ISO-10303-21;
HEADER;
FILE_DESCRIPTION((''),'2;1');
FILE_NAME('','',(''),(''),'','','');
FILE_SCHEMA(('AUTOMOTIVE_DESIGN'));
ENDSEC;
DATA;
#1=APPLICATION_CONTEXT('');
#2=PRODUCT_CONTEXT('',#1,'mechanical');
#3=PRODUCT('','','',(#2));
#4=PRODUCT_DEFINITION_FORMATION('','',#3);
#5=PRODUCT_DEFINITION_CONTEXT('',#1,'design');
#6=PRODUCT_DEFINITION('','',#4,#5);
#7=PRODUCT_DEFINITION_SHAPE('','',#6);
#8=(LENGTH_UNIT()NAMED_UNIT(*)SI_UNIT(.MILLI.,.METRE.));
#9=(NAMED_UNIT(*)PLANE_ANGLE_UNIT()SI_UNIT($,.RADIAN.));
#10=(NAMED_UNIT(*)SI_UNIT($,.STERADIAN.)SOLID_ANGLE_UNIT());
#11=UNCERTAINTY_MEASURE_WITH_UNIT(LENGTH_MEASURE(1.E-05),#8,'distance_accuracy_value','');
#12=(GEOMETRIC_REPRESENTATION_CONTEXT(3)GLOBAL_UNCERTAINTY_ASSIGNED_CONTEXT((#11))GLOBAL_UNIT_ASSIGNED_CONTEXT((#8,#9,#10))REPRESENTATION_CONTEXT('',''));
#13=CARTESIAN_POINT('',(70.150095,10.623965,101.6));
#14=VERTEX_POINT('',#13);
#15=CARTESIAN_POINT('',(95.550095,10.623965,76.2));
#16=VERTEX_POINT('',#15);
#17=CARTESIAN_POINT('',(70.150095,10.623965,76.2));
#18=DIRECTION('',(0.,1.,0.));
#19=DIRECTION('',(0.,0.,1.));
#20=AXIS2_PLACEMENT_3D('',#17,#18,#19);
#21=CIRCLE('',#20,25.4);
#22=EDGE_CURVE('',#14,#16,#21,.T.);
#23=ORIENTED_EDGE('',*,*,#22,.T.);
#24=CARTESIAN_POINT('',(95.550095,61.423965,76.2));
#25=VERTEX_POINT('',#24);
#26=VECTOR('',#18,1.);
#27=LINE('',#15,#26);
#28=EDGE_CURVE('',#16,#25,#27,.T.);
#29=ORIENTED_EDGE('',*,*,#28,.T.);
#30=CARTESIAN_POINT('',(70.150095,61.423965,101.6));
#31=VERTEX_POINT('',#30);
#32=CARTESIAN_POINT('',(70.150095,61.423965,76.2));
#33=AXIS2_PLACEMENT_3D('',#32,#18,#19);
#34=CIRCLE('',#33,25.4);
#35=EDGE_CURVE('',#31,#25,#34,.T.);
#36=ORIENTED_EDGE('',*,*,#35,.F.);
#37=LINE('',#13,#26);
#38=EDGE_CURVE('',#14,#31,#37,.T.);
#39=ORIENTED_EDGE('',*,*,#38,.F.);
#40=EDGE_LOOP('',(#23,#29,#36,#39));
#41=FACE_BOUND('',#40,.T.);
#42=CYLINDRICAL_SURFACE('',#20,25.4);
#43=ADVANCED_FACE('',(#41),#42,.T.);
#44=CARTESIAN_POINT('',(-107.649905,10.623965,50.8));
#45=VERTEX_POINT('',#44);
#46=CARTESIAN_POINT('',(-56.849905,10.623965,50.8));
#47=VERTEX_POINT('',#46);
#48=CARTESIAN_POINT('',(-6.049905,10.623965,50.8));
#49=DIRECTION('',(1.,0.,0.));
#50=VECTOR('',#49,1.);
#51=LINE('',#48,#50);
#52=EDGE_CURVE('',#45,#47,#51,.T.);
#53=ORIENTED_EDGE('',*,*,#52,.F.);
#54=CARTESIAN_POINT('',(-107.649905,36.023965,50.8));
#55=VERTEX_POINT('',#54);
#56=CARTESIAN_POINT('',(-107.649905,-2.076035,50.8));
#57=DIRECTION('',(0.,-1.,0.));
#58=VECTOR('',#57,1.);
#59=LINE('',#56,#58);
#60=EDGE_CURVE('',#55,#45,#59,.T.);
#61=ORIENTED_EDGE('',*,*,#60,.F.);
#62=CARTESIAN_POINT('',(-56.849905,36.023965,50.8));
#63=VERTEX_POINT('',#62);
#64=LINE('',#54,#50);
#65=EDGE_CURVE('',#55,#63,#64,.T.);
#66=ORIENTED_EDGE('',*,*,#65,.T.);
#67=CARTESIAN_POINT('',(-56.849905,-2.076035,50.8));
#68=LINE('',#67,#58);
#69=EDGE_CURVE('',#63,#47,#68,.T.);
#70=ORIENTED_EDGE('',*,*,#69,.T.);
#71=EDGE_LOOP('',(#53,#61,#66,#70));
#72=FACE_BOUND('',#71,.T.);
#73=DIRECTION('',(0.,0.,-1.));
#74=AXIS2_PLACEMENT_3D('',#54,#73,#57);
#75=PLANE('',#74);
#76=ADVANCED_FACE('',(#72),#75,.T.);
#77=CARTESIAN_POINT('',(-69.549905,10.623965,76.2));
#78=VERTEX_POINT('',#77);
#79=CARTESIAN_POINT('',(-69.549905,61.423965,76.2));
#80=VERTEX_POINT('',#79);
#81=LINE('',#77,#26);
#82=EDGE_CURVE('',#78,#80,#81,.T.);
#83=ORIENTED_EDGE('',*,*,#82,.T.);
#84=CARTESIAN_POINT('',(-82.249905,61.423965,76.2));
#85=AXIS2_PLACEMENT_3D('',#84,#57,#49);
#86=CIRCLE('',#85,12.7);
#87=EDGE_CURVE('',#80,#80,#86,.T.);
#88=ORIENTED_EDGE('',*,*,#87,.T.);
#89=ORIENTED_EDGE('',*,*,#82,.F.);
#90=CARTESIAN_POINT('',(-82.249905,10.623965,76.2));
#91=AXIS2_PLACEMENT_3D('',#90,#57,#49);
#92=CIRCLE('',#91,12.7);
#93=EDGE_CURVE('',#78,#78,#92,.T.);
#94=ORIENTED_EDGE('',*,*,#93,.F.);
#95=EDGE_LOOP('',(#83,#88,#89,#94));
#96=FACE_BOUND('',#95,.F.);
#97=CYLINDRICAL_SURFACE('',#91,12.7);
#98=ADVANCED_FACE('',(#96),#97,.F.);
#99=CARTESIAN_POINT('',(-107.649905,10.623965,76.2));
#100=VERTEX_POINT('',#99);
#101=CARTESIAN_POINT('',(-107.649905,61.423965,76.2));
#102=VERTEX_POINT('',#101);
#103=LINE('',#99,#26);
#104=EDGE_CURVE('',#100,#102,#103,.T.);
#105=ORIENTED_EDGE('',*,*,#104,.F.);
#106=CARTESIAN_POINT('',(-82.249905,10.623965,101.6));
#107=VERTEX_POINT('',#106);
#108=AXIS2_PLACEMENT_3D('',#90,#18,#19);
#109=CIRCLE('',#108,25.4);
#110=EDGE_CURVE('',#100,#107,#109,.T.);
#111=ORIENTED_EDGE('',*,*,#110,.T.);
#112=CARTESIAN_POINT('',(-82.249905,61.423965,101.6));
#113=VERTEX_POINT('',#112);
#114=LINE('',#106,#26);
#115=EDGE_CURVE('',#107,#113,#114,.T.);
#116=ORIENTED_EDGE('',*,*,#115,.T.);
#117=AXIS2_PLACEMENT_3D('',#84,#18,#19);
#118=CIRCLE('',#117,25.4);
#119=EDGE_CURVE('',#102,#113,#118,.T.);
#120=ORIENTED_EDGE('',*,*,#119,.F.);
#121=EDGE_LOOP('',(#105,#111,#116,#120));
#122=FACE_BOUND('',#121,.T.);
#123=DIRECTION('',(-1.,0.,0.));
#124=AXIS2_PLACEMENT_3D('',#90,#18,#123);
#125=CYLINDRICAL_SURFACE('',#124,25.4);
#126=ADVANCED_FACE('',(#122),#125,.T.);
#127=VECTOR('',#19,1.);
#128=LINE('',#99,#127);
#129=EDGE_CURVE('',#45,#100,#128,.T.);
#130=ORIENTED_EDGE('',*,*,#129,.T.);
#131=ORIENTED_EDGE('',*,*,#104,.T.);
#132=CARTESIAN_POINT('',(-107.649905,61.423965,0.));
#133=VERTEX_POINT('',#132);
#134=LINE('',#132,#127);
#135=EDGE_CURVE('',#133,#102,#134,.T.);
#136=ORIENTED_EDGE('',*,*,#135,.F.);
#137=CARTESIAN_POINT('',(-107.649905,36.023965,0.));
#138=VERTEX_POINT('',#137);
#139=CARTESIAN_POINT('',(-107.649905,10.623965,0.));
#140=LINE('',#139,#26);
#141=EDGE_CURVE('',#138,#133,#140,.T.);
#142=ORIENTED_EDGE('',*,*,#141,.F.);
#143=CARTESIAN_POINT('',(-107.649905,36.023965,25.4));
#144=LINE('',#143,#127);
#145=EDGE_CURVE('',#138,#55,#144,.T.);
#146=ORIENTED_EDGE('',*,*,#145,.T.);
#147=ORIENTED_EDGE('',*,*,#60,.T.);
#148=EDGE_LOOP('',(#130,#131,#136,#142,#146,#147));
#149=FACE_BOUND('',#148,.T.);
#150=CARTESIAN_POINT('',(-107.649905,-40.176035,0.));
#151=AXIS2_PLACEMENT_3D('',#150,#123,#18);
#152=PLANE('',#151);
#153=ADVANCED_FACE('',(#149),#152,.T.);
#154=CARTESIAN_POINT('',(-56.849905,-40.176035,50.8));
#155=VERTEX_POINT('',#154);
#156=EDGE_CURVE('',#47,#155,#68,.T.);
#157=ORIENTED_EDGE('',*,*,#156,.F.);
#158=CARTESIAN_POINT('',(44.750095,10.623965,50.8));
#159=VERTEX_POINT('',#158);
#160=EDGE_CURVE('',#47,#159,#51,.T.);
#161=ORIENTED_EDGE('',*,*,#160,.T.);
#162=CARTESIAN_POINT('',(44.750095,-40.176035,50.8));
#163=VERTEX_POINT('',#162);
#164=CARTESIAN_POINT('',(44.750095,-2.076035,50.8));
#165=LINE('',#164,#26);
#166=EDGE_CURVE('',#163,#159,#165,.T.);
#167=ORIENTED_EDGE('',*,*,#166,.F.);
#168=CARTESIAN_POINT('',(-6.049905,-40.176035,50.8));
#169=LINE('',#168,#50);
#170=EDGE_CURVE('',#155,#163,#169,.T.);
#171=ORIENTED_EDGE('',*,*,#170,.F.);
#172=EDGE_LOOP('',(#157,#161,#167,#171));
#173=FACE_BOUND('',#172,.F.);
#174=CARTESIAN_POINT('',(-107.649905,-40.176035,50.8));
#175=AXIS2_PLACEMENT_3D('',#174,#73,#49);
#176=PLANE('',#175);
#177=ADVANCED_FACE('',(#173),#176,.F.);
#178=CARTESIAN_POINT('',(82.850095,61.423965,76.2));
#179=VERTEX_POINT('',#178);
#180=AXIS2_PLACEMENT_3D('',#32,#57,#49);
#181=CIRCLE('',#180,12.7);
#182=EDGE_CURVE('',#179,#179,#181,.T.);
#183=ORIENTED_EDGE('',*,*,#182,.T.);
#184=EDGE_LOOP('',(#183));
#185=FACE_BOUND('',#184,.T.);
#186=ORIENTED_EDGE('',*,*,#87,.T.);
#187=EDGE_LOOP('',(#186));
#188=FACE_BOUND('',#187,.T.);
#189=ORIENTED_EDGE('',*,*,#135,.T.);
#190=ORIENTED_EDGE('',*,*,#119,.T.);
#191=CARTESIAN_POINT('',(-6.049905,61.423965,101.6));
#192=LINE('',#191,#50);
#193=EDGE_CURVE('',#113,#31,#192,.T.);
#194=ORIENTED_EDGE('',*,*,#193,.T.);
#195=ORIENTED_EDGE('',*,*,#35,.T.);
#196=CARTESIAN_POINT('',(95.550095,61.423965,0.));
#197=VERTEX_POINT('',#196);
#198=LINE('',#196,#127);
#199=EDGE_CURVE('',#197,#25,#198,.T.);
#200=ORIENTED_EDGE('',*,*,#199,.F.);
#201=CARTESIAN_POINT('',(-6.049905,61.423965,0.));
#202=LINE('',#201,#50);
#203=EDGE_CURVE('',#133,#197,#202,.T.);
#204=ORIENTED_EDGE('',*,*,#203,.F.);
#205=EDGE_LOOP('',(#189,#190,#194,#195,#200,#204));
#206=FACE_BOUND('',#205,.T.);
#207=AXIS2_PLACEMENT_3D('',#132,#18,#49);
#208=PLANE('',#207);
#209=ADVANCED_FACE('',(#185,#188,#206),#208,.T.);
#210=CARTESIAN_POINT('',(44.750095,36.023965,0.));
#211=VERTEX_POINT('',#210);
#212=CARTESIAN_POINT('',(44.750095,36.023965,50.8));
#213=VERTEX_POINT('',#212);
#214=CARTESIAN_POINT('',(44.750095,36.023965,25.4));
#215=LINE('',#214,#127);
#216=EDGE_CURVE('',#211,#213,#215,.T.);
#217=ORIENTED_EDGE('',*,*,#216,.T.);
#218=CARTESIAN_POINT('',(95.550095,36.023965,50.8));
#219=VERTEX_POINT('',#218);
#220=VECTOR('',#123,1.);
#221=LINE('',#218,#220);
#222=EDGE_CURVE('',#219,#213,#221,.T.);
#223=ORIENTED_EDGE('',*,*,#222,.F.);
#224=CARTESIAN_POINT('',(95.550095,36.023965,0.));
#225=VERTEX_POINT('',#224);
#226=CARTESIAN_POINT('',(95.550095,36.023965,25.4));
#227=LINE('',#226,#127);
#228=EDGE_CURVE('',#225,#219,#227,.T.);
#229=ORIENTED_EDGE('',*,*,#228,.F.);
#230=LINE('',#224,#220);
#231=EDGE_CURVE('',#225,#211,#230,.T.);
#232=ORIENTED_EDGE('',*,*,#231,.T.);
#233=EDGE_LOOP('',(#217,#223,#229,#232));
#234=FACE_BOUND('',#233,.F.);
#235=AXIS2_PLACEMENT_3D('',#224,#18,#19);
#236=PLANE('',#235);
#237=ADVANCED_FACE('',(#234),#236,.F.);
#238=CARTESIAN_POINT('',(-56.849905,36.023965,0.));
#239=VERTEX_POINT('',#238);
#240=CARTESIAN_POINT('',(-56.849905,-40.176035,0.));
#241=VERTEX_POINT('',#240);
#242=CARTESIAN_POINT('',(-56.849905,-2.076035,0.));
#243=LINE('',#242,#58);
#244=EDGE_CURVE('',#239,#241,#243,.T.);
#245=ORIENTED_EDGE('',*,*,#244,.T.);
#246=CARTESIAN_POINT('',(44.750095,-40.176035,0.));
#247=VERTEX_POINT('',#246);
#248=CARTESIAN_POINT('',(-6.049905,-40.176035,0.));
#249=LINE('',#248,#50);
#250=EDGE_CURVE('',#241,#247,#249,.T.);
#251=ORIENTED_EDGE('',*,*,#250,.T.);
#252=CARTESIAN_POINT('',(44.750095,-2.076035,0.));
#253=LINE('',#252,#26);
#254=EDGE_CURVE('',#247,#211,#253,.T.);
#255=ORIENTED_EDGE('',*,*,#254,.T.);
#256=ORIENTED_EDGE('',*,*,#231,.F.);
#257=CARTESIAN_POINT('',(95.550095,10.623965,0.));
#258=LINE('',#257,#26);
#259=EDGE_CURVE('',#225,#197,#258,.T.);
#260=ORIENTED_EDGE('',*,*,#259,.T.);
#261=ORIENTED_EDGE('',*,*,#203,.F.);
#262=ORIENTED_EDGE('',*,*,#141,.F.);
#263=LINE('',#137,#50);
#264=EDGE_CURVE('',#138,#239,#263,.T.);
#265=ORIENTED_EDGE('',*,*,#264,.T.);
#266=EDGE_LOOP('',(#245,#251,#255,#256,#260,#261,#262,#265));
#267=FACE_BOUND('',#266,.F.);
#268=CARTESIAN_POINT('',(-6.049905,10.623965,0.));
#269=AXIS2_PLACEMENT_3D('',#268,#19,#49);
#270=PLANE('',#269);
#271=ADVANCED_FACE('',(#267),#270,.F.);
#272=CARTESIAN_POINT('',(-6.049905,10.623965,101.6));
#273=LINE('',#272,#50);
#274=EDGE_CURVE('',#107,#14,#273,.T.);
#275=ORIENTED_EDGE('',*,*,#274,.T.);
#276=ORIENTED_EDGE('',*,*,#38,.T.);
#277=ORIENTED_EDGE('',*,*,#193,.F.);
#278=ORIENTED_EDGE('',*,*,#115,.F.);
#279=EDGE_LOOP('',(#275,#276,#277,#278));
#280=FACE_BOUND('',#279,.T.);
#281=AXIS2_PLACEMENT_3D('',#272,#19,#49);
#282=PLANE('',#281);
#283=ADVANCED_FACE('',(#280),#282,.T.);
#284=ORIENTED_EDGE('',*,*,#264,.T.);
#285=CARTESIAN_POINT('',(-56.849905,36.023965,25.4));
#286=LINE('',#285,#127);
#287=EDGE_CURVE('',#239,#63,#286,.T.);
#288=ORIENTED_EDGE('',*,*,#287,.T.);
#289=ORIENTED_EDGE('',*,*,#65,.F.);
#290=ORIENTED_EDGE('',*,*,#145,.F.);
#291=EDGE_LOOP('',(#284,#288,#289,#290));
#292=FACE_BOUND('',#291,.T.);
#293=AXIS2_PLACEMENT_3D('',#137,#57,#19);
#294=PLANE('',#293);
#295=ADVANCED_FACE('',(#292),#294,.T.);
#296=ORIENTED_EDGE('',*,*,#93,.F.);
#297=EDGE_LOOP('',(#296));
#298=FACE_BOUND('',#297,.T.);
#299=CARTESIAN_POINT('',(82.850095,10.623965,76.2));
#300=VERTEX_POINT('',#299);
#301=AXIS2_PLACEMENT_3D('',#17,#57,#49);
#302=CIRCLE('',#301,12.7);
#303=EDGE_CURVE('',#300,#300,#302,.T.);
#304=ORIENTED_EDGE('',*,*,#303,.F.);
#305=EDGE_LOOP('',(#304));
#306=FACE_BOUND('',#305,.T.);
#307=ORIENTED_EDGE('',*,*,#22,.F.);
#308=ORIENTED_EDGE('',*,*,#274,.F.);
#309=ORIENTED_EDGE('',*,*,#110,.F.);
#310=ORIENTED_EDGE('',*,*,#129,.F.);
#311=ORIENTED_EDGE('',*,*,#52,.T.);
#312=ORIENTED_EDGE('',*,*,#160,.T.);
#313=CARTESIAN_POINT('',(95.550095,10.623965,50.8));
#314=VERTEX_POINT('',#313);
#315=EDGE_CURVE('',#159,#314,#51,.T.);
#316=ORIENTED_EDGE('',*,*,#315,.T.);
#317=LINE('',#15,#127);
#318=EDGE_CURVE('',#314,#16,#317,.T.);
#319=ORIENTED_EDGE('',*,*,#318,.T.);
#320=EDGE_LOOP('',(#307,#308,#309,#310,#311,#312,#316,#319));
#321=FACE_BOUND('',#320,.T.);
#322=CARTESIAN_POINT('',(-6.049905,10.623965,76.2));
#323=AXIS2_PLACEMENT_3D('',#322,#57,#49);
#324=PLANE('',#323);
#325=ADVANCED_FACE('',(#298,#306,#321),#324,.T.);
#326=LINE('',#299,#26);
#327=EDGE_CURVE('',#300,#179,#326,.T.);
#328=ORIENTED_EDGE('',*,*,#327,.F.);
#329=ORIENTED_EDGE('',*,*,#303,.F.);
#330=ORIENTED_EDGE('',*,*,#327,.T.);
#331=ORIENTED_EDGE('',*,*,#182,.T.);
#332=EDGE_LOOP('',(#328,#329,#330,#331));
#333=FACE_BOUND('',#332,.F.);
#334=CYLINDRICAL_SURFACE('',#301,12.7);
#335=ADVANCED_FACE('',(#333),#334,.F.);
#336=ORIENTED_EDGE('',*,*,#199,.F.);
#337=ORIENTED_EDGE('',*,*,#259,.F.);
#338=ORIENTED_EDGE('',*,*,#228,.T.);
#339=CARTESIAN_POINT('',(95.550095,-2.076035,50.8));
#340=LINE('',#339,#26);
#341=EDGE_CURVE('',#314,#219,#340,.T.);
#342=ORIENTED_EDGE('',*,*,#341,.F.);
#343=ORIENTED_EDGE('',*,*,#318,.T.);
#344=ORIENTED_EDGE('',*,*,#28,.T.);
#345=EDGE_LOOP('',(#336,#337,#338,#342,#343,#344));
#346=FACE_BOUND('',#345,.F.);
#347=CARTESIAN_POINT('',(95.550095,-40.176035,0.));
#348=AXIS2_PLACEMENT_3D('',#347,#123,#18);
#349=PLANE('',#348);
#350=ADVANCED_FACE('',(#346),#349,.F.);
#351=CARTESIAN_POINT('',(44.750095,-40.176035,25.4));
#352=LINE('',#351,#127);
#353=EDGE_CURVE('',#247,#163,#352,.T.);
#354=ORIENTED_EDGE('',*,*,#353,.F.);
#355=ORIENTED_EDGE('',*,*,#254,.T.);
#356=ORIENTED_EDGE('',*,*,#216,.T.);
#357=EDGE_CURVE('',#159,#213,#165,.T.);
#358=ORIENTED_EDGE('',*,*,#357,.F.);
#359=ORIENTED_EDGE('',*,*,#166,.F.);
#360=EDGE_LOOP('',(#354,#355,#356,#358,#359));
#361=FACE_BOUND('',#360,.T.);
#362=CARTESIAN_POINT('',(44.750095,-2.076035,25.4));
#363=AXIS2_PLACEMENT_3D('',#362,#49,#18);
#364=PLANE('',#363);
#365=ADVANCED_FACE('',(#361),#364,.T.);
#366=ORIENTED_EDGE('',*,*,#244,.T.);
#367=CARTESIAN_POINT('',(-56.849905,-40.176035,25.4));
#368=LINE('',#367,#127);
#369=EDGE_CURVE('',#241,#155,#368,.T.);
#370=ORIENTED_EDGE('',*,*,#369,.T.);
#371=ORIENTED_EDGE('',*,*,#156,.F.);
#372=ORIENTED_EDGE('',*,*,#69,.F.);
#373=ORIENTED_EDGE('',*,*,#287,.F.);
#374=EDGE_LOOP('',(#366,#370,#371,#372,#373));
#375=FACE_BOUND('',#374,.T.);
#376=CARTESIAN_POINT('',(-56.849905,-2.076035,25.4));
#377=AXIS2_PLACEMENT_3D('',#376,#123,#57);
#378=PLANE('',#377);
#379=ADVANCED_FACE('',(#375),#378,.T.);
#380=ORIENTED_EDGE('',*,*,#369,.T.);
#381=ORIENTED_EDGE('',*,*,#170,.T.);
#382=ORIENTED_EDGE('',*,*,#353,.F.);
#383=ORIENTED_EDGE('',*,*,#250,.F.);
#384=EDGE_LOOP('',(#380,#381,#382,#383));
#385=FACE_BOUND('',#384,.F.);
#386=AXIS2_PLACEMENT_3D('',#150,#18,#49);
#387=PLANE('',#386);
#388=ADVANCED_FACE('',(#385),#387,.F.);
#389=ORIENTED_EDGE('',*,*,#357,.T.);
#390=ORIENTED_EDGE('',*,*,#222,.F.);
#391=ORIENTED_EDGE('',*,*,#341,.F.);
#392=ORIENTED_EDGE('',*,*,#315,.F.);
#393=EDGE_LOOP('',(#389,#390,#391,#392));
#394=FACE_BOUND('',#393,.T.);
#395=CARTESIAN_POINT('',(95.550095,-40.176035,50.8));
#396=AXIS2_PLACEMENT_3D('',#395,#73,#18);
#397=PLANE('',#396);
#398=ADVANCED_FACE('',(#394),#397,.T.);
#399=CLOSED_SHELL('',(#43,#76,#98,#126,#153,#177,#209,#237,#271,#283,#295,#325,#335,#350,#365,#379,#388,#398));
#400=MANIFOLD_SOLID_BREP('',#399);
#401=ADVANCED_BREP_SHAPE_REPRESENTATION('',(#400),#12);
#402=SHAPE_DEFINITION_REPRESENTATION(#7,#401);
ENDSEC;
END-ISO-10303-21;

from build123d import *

# Parameters (mm, degrees)
F0_W      = 203.2
F0_H      = 101.6
F1_DEPTH  = 101.6
F3_W      = 76.2
F3_H      = 50.8
F4_DEPTH  = 50.8
F5_W      = 76.2
F5_H      = 50.8
F6_DEPTH  = 50.8
F2_W      = 203.2
F2_H      = 50.8
F7_DEPTH  = 50.8
F8_R      = 25.4
F9_R      = 12.7
F10_DEPTH = 50.801


with BuildPart() as f1:
    # F0 (on Top) → F1 (new body)
    with BuildSketch(Plane.XY):
        with Locations((-6.0499049723, 10.6239652866)):
            Rectangle(F0_W, F0_H)
    extrude(amount=F1_DEPTH)

    # F3 (on face) → F4 (cut)
    with BuildSketch(Plane.YZ.offset(95.5500950277)):
        with Locations((-2.0760347134, 25.4)):
            Rectangle(F3_W, F3_H)
    extrude(amount=-F4_DEPTH, mode=Mode.SUBTRACT)

    # F5 (on face) → F6 (cut)
    with BuildSketch(Plane(origin=(-107.6499049723, 0, 0), x_dir=(0, -1, 0), z_dir=(-1, 0, 0))):
        with Locations((2.0760347134, 25.4)):
            Rectangle(F5_W, F5_H)
    extrude(amount=-F6_DEPTH, mode=Mode.SUBTRACT)

    # F2 (on face) → F7 (cut)
    with BuildSketch(Plane.XZ.offset(40.1760347134)):
        with Locations((-6.0499049723, 76.2)):
            Rectangle(F2_W, F2_H)
    extrude(amount=-F7_DEPTH, mode=Mode.SUBTRACT)

    # F8
    f8_edges = [f1.edges().sort_by_distance(p)[0] for p in [
        (95.550095, 36.023965, 101.6),
        (-107.649905, 36.023965, 101.6),
    ]]
    fillet(f8_edges, radius=F8_R)

    # F9 (on face) → F10 (cut, through all)
    with BuildSketch(Plane.XZ.offset(-10.6239652866)):
        with Locations((-82.2499049723, 76.2)):
            Circle(F9_R)
        with Locations((70.1500950277, 76.2)):
            Circle(F9_R)
    extrude(amount=-F10_DEPTH, mode=Mode.SUBTRACT)


solid = f1.part
